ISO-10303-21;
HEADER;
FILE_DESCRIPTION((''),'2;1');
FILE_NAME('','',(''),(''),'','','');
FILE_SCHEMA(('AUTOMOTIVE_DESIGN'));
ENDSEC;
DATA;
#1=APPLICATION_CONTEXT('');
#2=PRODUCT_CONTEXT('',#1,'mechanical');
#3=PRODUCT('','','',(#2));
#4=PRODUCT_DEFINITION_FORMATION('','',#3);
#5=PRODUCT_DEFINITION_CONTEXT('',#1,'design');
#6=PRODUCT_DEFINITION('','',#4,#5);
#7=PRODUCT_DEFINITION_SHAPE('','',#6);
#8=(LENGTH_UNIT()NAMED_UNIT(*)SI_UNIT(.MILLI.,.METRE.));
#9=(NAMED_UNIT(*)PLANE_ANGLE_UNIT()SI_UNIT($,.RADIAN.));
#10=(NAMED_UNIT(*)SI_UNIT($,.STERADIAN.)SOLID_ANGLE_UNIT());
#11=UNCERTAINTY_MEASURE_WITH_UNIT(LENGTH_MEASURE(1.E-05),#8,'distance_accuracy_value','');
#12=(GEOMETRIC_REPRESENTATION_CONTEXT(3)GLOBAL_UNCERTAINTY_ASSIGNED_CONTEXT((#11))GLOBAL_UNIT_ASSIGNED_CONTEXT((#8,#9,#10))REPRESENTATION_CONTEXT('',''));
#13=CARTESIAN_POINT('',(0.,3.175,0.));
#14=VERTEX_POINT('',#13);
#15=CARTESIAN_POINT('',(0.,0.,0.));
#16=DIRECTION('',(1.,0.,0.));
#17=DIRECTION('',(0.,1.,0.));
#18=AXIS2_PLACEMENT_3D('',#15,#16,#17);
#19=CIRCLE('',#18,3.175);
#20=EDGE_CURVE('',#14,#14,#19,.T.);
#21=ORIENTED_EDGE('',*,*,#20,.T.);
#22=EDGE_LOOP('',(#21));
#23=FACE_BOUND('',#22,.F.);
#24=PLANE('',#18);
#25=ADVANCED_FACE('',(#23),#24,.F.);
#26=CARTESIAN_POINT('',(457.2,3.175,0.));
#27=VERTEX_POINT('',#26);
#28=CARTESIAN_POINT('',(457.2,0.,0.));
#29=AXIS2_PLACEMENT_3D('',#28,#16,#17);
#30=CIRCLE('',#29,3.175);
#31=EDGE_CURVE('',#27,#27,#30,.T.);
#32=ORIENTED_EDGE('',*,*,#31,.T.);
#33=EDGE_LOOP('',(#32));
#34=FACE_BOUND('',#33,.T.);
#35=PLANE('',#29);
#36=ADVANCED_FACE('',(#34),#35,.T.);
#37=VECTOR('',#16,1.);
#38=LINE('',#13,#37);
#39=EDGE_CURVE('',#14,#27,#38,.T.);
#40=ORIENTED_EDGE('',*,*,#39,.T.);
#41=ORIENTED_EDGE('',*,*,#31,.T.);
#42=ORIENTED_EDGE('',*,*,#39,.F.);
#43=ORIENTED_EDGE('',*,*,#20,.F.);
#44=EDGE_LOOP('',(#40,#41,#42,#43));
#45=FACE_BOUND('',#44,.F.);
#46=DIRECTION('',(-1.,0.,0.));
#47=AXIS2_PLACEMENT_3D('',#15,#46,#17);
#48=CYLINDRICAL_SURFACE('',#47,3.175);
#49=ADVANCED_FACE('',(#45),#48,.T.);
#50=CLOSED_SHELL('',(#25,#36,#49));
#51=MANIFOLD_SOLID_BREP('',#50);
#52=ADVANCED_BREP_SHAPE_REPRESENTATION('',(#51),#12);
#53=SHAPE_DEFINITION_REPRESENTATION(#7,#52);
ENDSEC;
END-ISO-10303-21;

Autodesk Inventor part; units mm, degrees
ref_plane "YZ Plane" through (0, 0, 0) normal (1, 0, 0) x (0, 1, 0)
ref_plane "XZ Plane" through (0, 0, 0) normal (0, 1, 0) x (-1, 0, 0)
ref_plane "XY Plane" through (0, 0, 0) normal (0, 0, 1) x (1, 0, 0)
sketch "Sketch1" plane through (0, 0, 0) normal (1, 0, 0) x (0, 1, 0)
  circle A0 centre (0, 0) radius 3.175
  dimension "d0" = 6.35
extrude "Extrusion1" add sketch "Sketch1" along normal blind 457.2
properties part number "Axle18in"
